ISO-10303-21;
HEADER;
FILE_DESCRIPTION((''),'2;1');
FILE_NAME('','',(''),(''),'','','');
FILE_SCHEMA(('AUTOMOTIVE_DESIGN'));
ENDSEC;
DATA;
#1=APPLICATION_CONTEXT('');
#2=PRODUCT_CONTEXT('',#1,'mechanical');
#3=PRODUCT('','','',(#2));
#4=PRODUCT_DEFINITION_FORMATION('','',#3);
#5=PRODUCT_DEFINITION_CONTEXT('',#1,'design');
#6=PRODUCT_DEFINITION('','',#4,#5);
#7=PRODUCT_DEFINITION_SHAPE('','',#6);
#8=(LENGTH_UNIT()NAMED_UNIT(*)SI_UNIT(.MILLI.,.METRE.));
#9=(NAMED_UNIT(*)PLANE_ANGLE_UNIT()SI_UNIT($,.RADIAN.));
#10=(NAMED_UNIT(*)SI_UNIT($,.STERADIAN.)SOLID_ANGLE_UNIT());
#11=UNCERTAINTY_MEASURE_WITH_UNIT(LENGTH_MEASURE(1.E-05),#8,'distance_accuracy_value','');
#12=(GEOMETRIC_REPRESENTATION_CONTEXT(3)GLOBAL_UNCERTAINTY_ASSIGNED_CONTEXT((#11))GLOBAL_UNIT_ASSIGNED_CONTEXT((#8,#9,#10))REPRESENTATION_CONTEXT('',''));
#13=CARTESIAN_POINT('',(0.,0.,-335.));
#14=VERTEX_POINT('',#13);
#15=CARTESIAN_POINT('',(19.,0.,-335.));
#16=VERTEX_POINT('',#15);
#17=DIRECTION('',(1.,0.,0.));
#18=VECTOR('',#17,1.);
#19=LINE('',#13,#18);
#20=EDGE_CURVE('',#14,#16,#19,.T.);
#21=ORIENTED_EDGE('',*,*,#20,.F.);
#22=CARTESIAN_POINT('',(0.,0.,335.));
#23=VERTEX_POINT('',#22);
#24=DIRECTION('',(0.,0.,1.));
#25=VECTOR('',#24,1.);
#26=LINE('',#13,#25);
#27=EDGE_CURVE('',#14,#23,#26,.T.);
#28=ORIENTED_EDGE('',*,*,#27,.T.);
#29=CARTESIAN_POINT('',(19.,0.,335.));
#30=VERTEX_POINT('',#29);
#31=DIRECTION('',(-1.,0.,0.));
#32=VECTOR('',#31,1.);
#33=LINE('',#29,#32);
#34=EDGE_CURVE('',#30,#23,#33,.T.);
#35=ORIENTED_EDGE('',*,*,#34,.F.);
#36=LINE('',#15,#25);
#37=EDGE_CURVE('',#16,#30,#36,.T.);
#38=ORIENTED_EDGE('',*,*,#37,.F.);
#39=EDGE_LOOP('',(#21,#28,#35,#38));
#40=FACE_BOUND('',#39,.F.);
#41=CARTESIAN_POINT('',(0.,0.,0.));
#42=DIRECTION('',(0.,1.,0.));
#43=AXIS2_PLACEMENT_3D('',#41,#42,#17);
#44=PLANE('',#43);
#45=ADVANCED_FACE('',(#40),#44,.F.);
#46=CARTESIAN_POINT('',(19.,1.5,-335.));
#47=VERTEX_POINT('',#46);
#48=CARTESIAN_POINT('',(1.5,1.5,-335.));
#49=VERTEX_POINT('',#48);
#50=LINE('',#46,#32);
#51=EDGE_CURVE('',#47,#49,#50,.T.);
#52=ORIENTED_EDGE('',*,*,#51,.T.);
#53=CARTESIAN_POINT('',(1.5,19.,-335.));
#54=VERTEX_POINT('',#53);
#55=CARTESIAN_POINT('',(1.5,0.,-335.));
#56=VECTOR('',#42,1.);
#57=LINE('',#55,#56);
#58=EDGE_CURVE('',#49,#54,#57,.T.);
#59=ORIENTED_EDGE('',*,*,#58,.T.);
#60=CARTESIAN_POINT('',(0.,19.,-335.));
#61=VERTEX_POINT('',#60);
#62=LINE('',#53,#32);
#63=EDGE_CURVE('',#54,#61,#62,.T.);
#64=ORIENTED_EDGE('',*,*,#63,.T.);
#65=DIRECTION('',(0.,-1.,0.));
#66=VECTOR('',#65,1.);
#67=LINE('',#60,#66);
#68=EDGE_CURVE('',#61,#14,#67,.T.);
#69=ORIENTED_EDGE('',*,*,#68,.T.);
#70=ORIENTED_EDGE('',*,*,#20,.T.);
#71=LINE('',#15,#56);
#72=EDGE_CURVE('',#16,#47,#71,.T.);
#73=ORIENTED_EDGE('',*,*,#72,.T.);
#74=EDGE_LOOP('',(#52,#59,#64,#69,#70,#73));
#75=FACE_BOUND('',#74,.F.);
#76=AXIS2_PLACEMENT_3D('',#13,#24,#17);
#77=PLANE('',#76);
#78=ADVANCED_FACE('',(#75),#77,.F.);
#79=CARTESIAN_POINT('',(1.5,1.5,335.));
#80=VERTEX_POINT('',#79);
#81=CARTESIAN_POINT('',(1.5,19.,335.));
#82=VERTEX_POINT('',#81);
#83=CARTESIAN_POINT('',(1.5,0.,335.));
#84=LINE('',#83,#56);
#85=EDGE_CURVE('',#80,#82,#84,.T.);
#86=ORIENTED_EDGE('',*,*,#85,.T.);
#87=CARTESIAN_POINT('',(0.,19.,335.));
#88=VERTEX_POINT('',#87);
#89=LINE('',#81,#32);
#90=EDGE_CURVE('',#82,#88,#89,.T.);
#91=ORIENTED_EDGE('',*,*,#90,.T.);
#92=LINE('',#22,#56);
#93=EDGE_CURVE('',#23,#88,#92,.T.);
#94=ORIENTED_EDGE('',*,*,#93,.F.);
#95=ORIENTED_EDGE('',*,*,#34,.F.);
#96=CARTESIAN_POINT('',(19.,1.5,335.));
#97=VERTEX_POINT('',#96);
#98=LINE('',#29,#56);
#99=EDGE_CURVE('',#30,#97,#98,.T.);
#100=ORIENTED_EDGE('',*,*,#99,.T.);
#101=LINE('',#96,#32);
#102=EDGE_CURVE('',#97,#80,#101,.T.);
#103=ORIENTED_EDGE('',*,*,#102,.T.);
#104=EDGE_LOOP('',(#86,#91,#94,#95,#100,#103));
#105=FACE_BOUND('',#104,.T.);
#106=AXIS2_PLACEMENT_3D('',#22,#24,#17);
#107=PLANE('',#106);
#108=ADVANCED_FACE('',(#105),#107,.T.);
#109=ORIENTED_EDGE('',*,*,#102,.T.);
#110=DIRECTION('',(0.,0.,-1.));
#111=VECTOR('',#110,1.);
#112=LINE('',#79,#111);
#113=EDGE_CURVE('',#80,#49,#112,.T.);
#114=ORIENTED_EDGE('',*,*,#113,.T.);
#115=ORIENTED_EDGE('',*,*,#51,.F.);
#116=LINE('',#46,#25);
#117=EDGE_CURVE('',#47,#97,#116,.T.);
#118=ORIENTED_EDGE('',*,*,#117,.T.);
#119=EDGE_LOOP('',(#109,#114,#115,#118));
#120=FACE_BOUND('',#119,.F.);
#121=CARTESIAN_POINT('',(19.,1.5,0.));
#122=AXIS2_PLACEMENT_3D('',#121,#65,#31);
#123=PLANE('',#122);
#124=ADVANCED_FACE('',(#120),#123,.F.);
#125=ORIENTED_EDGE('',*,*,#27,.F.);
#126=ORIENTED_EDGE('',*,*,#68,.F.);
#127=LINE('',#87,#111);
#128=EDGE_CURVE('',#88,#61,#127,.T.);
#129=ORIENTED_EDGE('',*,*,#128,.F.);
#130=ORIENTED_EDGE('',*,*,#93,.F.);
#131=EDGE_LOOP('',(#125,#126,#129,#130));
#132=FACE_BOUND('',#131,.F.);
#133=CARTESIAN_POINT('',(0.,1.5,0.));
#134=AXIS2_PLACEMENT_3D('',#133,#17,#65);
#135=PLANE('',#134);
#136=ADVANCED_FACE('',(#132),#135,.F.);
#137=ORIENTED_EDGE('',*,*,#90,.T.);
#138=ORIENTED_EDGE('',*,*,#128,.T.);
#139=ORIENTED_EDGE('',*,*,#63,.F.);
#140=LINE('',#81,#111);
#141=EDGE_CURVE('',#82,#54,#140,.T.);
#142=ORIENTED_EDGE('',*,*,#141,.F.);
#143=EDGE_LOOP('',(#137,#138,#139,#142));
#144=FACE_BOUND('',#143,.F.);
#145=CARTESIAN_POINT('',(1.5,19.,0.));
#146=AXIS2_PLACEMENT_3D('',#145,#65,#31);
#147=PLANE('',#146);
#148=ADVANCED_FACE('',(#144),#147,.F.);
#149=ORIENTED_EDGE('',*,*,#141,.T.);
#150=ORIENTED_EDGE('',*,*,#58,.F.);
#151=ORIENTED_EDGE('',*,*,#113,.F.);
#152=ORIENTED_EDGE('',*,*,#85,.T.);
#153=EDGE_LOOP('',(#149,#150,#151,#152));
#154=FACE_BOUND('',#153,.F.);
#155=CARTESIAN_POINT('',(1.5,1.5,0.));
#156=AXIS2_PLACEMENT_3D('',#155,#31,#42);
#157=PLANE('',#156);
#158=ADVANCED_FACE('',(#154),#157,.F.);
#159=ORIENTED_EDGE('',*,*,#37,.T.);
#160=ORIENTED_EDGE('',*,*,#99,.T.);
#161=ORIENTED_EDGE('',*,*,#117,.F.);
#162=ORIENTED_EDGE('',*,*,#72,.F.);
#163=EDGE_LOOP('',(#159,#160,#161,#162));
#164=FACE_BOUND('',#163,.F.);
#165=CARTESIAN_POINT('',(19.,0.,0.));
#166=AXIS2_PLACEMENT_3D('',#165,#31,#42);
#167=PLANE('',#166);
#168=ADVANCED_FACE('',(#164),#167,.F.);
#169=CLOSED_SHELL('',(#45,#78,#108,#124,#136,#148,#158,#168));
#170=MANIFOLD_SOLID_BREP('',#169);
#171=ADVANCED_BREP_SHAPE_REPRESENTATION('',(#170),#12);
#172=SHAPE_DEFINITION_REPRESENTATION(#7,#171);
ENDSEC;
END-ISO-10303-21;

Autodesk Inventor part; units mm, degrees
ref_plane "YZ Plane" through (0, 0, 0) normal (1, 0, 0) x (0, 1, 0)
ref_plane "XZ Plane" through (0, 0, 0) normal (0, 1, 0) x (-1, 0, 0)
ref_plane "XY Plane" through (0, 0, 0) normal (0, 0, 1) x (1, 0, 0)
sketch "Sketch2" plane through (0, 0, 0) normal (0, 0, 1) x (1, 0, 0)
  line L0 (0, 0) -> (1.5, 0)
  line L1 (1.5, 0) -> (1.5, 19)
  line L2 (1.5, 19) -> (0, 19)
  line L3 (0, 19) -> (0, 0)
  line L4 (0, 0) -> (19, 0)
  line L5 (19, 0) -> (19, 1.5)
  line L6 (19, 1.5) -> (0, 1.5)
  line L7 (0, 1.5) -> (0, 0)
  point P0 (1.5, 1.5)
  dimension "d0" = 1.5
  dimension "d1" = 19
  dimension "d2" = 19
  dimension "d3" = 1.5
extrude "Extrusion1" add sketch "Sketch2" along normal mid plane 670
properties part number "GUIA_CANALETA"
